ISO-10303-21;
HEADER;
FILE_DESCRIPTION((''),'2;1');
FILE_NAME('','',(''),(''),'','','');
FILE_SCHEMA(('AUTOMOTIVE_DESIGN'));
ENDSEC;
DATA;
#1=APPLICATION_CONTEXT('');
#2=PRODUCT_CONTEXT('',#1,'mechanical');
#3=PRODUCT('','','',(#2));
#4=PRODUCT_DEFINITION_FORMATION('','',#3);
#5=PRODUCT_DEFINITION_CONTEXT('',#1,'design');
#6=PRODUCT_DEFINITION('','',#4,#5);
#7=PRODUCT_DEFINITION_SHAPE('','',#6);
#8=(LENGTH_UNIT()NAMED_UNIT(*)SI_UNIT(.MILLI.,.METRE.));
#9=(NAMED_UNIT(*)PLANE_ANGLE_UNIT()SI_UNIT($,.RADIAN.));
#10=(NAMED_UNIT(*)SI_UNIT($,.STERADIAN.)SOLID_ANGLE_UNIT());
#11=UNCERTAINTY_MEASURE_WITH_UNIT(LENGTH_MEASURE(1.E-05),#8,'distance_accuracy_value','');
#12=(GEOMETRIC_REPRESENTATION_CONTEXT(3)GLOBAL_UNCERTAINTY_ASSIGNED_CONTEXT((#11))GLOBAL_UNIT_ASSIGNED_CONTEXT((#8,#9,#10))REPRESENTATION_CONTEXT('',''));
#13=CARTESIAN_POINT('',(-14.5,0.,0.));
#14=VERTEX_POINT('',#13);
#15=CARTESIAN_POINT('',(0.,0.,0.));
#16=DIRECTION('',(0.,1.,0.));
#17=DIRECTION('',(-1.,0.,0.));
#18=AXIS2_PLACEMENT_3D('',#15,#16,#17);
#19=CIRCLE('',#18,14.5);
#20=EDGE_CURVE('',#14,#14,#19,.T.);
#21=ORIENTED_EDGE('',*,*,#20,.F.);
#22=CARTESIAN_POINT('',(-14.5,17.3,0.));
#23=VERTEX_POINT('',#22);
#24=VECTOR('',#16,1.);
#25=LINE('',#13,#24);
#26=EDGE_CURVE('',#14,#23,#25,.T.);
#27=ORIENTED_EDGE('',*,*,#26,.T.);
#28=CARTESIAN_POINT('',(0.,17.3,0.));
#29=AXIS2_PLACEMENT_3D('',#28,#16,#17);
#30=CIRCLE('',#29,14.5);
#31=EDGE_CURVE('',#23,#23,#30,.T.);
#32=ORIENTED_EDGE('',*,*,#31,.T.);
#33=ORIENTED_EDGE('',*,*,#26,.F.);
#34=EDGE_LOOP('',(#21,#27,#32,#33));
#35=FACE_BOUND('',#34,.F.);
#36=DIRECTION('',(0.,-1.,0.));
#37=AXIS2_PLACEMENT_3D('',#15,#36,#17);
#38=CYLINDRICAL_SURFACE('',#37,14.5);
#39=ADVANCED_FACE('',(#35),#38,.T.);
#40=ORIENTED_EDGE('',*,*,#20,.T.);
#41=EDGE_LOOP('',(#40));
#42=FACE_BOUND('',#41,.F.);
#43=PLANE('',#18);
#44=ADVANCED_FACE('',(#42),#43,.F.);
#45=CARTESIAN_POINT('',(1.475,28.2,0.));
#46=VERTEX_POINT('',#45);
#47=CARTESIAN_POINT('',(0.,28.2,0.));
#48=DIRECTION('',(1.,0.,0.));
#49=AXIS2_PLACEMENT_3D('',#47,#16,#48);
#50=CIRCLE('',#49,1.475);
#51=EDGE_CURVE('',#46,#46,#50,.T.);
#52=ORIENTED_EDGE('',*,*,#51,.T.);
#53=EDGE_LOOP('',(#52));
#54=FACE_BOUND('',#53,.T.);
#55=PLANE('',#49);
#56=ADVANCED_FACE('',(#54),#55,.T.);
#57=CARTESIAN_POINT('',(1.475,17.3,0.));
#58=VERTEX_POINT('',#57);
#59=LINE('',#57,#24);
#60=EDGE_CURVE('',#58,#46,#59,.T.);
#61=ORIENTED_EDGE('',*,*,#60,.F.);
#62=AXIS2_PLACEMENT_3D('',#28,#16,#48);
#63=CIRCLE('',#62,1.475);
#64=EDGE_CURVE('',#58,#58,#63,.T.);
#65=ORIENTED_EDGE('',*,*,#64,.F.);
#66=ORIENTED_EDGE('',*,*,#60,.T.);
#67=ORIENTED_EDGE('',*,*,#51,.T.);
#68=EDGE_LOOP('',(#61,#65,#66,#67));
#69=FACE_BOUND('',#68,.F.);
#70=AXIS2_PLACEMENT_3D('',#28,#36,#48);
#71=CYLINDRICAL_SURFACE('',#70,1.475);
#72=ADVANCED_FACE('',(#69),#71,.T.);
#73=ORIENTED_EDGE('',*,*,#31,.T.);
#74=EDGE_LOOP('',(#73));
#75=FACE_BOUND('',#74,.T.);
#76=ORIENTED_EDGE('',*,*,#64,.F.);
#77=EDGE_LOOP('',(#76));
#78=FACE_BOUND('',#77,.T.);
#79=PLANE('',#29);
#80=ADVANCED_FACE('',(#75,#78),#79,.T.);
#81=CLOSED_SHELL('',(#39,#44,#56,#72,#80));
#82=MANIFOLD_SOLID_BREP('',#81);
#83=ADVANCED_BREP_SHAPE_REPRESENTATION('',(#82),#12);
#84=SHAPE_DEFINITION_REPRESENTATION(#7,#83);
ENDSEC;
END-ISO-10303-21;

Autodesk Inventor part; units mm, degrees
ref_plane "YZ Plane" through (0, 0, 0) normal (1, 0, 0) x (0, 1, 0)
ref_plane "XZ Plane" through (0, 0, 0) normal (0, 1, 0) x (-1, 0, 0)
ref_plane "XY Plane" through (0, 0, 0) normal (0, 0, 1) x (1, 0, 0)
sketch "Sketch1" plane through (0, 0, 0) normal (0, 1, 0) x (-1, 0, 0)
  circle A0 centre (0, 0) radius 14.5
  dimension "d0" = 29
extrude "Extrusion1" add sketch "Sketch1" along normal blind 17.3
sketch "Sketch2" plane through (0, 17.3, 0) normal (0, 1, 0) x (1, 0, 0)
  circle A0 centre (0, 0) radius 1.475
  dimension "d3" = 2.95
extrude "Extrusion2" add sketch "Sketch2" along normal blind 10.9
properties part number "SnailMotorModel"
